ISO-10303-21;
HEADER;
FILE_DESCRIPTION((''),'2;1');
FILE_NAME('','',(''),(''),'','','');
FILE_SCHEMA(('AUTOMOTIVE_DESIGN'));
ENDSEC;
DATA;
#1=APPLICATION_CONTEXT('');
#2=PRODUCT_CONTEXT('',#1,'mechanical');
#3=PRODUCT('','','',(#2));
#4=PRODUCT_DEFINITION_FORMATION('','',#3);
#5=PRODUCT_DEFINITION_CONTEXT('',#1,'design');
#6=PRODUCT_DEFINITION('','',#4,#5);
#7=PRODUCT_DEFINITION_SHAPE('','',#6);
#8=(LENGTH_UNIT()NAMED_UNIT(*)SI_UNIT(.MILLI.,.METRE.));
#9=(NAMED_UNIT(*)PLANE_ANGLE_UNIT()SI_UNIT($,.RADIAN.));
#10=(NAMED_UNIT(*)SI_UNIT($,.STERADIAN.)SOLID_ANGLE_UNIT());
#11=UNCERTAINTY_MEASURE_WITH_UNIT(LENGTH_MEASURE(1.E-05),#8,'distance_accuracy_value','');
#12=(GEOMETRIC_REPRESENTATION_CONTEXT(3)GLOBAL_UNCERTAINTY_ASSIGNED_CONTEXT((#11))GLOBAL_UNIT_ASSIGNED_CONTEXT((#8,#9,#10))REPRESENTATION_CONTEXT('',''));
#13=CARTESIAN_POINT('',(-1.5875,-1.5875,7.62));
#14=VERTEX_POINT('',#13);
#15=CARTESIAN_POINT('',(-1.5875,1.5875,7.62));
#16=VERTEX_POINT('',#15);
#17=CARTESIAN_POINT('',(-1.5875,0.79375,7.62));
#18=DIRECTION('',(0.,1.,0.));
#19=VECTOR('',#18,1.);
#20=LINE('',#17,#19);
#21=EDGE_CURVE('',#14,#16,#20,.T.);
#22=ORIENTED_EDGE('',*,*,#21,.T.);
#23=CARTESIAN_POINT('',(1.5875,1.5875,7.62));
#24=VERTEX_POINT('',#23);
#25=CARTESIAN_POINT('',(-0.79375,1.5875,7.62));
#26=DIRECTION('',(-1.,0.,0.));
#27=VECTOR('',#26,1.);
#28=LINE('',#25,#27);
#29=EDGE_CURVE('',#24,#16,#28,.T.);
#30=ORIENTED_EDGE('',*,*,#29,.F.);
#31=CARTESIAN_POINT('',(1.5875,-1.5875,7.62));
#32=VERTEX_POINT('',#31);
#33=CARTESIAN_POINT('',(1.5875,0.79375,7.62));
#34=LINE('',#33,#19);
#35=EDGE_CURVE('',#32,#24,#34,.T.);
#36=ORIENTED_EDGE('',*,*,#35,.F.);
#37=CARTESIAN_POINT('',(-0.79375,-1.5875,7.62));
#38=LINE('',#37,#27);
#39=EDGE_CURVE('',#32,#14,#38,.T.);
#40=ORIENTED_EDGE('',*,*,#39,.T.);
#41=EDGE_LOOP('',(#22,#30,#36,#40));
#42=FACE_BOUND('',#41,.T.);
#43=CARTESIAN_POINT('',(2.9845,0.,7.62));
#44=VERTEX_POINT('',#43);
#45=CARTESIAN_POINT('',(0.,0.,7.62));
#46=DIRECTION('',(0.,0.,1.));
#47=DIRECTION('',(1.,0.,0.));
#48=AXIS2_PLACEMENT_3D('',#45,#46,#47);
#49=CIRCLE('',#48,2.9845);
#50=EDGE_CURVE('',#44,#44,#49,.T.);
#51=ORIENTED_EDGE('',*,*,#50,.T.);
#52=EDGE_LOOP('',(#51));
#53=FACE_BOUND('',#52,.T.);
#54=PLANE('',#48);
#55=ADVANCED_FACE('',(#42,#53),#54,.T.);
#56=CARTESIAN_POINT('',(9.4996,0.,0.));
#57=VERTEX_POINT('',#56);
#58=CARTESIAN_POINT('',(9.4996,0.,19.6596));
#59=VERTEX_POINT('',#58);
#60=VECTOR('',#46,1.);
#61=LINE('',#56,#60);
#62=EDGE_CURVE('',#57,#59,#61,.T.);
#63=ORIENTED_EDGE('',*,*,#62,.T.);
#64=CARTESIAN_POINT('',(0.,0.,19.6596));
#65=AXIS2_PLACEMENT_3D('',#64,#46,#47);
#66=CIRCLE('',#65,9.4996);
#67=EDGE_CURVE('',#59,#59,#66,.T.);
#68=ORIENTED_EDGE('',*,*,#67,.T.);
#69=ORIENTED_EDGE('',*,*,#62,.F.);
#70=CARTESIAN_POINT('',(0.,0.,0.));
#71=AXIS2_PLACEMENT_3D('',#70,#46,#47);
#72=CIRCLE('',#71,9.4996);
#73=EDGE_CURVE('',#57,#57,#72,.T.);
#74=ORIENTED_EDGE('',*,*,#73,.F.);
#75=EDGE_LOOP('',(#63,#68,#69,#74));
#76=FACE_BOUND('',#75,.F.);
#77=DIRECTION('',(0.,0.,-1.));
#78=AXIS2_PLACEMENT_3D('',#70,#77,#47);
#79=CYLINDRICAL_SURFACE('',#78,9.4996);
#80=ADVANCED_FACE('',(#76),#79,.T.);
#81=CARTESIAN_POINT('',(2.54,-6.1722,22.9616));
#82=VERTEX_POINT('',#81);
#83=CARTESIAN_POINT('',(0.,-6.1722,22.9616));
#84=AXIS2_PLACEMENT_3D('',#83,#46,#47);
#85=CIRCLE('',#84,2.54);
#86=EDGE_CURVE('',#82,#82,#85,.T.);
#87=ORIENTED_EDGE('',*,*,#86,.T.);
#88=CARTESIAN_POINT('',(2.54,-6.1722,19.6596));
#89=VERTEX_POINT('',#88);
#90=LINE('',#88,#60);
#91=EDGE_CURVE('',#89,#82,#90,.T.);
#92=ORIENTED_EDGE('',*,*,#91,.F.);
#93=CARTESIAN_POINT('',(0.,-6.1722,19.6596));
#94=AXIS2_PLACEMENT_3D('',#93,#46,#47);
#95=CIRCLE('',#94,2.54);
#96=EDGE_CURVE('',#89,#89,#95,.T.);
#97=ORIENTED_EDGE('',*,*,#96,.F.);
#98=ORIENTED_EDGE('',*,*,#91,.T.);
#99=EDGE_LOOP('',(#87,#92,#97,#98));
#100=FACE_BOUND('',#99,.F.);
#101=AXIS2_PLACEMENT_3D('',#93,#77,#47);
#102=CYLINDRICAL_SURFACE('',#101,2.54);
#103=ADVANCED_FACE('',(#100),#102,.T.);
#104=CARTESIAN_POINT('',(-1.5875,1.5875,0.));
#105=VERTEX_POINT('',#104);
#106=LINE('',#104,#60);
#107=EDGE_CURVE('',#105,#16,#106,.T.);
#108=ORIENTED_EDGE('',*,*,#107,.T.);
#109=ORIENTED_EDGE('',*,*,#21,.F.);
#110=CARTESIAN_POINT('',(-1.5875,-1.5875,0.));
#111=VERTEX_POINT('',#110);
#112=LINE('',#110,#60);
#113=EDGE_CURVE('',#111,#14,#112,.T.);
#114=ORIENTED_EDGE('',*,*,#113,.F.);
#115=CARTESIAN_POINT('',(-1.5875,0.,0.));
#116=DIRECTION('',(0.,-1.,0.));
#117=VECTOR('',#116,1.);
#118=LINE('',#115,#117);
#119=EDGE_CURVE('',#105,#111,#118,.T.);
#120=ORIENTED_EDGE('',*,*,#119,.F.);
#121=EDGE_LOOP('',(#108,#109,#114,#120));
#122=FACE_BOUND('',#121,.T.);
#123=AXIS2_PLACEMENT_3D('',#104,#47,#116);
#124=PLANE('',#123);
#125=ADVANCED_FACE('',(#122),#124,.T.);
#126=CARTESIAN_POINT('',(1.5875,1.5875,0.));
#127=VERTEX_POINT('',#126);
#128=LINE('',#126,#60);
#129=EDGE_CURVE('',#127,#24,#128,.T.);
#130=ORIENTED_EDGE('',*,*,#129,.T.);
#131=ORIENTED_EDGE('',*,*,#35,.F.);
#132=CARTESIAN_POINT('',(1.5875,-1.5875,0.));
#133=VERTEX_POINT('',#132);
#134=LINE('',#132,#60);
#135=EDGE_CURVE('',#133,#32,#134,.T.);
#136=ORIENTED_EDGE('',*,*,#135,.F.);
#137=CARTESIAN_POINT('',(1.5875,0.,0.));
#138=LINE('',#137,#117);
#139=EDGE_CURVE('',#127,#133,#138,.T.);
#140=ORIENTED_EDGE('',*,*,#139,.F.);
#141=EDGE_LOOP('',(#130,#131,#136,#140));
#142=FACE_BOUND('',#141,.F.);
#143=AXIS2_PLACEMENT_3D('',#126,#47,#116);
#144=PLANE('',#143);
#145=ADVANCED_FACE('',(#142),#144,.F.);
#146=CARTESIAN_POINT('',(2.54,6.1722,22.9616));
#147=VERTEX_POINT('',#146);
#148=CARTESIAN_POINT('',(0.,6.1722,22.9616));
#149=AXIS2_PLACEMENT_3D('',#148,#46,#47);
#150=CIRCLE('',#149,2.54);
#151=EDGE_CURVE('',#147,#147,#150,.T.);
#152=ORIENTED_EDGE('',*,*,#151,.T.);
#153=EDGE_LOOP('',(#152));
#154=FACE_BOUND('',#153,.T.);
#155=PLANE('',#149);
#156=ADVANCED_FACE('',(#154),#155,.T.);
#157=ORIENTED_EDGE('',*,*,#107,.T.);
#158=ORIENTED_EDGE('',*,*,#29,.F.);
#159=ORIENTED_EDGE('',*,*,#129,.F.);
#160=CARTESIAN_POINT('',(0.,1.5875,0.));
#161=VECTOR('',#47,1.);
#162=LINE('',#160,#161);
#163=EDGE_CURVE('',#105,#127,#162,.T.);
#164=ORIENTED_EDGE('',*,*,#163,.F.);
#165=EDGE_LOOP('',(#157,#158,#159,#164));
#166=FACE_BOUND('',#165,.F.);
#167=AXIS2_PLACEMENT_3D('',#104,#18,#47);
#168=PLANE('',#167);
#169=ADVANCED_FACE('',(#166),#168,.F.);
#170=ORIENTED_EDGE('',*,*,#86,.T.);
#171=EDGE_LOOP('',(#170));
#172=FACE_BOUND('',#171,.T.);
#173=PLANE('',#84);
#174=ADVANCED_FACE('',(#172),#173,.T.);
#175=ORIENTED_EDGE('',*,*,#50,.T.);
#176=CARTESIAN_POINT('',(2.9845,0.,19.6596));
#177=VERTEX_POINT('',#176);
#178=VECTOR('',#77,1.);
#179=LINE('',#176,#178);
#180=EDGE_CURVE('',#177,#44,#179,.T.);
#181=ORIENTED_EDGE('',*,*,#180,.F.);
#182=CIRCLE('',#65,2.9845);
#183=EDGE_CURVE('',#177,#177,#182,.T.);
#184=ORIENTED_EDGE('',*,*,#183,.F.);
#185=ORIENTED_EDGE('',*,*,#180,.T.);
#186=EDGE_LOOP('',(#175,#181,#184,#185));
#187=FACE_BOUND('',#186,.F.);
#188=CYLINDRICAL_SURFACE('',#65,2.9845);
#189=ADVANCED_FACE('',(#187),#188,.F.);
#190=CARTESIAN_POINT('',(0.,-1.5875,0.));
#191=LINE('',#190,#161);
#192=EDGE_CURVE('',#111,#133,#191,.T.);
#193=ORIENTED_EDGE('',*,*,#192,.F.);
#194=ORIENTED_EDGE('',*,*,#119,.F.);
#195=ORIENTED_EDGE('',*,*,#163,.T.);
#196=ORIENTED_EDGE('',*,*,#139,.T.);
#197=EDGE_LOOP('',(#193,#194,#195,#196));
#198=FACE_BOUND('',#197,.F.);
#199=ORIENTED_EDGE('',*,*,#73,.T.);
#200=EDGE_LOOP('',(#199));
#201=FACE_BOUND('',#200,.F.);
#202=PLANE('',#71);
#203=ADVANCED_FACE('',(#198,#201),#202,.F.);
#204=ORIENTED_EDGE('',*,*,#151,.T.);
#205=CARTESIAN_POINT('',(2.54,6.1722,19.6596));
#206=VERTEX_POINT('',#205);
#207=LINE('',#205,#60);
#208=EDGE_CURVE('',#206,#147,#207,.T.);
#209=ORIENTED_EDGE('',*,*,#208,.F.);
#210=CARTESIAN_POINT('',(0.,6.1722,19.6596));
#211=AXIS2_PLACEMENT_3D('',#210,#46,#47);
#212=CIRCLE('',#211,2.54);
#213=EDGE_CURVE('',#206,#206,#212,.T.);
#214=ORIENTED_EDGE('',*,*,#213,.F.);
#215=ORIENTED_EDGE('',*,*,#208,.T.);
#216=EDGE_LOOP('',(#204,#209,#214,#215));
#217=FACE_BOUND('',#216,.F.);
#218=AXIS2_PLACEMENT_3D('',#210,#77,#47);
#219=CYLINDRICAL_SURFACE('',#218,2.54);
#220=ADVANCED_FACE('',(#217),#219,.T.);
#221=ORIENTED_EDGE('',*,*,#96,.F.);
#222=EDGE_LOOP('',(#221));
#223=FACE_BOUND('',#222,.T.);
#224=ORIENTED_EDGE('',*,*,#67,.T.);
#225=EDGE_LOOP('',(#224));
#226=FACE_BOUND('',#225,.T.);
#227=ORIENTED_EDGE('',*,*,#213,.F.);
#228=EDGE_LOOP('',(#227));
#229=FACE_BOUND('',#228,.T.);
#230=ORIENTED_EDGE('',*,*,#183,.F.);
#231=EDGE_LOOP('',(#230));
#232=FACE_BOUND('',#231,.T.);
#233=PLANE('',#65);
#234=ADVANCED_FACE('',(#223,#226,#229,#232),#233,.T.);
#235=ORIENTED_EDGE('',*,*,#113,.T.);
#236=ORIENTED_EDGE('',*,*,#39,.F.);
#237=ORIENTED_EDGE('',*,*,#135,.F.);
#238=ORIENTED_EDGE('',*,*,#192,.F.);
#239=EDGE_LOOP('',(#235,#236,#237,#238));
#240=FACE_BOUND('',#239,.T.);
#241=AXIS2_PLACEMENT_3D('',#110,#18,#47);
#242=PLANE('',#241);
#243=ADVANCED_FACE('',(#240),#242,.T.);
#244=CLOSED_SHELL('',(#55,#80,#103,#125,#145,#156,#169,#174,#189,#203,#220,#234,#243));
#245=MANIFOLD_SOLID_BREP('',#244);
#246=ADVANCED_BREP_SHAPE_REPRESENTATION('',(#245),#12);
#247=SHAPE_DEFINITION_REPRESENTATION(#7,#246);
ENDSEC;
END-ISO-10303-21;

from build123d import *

# Parameters (mm, degrees)
F0_R     = 9.4996
F1_DEPTH = 19.6596
F2_R     = 2.9845
F3_DEPTH = 12.0396
F4_R     = 2.54
F5_DEPTH = 3.302
F6_W     = 3.175
F6_H     = 3.175
F7_DEPTH = 25.4


with BuildPart() as f1:
    # F0 (on Top) → F1 (new body)
    with BuildSketch(Plane.XY):
        Circle(F0_R)
    extrude(amount=F1_DEPTH)

    # F2 (on face) → F3 (cut)
    with BuildSketch(Plane.XY.offset(19.6596)):
        Circle(F2_R)
    extrude(amount=-F3_DEPTH, mode=Mode.SUBTRACT)

    # F4 (on face) → F5 (join)
    with BuildSketch(Plane.XY.offset(19.6596)):
        with Locations((0, -6.1722)):
            Circle(F4_R)
        with Locations((0, 6.1722)):
            Circle(F4_R)
    extrude(amount=F5_DEPTH)

    # F6 (on face) → F7 (cut)
    with BuildSketch(Plane(origin=(0, 0, 0), x_dir=(1, 0, 0), z_dir=(0, 0, -1))):
        Rectangle(F6_W, F6_H)
    extrude(amount=-F7_DEPTH, mode=Mode.SUBTRACT)


solid = f1.part
